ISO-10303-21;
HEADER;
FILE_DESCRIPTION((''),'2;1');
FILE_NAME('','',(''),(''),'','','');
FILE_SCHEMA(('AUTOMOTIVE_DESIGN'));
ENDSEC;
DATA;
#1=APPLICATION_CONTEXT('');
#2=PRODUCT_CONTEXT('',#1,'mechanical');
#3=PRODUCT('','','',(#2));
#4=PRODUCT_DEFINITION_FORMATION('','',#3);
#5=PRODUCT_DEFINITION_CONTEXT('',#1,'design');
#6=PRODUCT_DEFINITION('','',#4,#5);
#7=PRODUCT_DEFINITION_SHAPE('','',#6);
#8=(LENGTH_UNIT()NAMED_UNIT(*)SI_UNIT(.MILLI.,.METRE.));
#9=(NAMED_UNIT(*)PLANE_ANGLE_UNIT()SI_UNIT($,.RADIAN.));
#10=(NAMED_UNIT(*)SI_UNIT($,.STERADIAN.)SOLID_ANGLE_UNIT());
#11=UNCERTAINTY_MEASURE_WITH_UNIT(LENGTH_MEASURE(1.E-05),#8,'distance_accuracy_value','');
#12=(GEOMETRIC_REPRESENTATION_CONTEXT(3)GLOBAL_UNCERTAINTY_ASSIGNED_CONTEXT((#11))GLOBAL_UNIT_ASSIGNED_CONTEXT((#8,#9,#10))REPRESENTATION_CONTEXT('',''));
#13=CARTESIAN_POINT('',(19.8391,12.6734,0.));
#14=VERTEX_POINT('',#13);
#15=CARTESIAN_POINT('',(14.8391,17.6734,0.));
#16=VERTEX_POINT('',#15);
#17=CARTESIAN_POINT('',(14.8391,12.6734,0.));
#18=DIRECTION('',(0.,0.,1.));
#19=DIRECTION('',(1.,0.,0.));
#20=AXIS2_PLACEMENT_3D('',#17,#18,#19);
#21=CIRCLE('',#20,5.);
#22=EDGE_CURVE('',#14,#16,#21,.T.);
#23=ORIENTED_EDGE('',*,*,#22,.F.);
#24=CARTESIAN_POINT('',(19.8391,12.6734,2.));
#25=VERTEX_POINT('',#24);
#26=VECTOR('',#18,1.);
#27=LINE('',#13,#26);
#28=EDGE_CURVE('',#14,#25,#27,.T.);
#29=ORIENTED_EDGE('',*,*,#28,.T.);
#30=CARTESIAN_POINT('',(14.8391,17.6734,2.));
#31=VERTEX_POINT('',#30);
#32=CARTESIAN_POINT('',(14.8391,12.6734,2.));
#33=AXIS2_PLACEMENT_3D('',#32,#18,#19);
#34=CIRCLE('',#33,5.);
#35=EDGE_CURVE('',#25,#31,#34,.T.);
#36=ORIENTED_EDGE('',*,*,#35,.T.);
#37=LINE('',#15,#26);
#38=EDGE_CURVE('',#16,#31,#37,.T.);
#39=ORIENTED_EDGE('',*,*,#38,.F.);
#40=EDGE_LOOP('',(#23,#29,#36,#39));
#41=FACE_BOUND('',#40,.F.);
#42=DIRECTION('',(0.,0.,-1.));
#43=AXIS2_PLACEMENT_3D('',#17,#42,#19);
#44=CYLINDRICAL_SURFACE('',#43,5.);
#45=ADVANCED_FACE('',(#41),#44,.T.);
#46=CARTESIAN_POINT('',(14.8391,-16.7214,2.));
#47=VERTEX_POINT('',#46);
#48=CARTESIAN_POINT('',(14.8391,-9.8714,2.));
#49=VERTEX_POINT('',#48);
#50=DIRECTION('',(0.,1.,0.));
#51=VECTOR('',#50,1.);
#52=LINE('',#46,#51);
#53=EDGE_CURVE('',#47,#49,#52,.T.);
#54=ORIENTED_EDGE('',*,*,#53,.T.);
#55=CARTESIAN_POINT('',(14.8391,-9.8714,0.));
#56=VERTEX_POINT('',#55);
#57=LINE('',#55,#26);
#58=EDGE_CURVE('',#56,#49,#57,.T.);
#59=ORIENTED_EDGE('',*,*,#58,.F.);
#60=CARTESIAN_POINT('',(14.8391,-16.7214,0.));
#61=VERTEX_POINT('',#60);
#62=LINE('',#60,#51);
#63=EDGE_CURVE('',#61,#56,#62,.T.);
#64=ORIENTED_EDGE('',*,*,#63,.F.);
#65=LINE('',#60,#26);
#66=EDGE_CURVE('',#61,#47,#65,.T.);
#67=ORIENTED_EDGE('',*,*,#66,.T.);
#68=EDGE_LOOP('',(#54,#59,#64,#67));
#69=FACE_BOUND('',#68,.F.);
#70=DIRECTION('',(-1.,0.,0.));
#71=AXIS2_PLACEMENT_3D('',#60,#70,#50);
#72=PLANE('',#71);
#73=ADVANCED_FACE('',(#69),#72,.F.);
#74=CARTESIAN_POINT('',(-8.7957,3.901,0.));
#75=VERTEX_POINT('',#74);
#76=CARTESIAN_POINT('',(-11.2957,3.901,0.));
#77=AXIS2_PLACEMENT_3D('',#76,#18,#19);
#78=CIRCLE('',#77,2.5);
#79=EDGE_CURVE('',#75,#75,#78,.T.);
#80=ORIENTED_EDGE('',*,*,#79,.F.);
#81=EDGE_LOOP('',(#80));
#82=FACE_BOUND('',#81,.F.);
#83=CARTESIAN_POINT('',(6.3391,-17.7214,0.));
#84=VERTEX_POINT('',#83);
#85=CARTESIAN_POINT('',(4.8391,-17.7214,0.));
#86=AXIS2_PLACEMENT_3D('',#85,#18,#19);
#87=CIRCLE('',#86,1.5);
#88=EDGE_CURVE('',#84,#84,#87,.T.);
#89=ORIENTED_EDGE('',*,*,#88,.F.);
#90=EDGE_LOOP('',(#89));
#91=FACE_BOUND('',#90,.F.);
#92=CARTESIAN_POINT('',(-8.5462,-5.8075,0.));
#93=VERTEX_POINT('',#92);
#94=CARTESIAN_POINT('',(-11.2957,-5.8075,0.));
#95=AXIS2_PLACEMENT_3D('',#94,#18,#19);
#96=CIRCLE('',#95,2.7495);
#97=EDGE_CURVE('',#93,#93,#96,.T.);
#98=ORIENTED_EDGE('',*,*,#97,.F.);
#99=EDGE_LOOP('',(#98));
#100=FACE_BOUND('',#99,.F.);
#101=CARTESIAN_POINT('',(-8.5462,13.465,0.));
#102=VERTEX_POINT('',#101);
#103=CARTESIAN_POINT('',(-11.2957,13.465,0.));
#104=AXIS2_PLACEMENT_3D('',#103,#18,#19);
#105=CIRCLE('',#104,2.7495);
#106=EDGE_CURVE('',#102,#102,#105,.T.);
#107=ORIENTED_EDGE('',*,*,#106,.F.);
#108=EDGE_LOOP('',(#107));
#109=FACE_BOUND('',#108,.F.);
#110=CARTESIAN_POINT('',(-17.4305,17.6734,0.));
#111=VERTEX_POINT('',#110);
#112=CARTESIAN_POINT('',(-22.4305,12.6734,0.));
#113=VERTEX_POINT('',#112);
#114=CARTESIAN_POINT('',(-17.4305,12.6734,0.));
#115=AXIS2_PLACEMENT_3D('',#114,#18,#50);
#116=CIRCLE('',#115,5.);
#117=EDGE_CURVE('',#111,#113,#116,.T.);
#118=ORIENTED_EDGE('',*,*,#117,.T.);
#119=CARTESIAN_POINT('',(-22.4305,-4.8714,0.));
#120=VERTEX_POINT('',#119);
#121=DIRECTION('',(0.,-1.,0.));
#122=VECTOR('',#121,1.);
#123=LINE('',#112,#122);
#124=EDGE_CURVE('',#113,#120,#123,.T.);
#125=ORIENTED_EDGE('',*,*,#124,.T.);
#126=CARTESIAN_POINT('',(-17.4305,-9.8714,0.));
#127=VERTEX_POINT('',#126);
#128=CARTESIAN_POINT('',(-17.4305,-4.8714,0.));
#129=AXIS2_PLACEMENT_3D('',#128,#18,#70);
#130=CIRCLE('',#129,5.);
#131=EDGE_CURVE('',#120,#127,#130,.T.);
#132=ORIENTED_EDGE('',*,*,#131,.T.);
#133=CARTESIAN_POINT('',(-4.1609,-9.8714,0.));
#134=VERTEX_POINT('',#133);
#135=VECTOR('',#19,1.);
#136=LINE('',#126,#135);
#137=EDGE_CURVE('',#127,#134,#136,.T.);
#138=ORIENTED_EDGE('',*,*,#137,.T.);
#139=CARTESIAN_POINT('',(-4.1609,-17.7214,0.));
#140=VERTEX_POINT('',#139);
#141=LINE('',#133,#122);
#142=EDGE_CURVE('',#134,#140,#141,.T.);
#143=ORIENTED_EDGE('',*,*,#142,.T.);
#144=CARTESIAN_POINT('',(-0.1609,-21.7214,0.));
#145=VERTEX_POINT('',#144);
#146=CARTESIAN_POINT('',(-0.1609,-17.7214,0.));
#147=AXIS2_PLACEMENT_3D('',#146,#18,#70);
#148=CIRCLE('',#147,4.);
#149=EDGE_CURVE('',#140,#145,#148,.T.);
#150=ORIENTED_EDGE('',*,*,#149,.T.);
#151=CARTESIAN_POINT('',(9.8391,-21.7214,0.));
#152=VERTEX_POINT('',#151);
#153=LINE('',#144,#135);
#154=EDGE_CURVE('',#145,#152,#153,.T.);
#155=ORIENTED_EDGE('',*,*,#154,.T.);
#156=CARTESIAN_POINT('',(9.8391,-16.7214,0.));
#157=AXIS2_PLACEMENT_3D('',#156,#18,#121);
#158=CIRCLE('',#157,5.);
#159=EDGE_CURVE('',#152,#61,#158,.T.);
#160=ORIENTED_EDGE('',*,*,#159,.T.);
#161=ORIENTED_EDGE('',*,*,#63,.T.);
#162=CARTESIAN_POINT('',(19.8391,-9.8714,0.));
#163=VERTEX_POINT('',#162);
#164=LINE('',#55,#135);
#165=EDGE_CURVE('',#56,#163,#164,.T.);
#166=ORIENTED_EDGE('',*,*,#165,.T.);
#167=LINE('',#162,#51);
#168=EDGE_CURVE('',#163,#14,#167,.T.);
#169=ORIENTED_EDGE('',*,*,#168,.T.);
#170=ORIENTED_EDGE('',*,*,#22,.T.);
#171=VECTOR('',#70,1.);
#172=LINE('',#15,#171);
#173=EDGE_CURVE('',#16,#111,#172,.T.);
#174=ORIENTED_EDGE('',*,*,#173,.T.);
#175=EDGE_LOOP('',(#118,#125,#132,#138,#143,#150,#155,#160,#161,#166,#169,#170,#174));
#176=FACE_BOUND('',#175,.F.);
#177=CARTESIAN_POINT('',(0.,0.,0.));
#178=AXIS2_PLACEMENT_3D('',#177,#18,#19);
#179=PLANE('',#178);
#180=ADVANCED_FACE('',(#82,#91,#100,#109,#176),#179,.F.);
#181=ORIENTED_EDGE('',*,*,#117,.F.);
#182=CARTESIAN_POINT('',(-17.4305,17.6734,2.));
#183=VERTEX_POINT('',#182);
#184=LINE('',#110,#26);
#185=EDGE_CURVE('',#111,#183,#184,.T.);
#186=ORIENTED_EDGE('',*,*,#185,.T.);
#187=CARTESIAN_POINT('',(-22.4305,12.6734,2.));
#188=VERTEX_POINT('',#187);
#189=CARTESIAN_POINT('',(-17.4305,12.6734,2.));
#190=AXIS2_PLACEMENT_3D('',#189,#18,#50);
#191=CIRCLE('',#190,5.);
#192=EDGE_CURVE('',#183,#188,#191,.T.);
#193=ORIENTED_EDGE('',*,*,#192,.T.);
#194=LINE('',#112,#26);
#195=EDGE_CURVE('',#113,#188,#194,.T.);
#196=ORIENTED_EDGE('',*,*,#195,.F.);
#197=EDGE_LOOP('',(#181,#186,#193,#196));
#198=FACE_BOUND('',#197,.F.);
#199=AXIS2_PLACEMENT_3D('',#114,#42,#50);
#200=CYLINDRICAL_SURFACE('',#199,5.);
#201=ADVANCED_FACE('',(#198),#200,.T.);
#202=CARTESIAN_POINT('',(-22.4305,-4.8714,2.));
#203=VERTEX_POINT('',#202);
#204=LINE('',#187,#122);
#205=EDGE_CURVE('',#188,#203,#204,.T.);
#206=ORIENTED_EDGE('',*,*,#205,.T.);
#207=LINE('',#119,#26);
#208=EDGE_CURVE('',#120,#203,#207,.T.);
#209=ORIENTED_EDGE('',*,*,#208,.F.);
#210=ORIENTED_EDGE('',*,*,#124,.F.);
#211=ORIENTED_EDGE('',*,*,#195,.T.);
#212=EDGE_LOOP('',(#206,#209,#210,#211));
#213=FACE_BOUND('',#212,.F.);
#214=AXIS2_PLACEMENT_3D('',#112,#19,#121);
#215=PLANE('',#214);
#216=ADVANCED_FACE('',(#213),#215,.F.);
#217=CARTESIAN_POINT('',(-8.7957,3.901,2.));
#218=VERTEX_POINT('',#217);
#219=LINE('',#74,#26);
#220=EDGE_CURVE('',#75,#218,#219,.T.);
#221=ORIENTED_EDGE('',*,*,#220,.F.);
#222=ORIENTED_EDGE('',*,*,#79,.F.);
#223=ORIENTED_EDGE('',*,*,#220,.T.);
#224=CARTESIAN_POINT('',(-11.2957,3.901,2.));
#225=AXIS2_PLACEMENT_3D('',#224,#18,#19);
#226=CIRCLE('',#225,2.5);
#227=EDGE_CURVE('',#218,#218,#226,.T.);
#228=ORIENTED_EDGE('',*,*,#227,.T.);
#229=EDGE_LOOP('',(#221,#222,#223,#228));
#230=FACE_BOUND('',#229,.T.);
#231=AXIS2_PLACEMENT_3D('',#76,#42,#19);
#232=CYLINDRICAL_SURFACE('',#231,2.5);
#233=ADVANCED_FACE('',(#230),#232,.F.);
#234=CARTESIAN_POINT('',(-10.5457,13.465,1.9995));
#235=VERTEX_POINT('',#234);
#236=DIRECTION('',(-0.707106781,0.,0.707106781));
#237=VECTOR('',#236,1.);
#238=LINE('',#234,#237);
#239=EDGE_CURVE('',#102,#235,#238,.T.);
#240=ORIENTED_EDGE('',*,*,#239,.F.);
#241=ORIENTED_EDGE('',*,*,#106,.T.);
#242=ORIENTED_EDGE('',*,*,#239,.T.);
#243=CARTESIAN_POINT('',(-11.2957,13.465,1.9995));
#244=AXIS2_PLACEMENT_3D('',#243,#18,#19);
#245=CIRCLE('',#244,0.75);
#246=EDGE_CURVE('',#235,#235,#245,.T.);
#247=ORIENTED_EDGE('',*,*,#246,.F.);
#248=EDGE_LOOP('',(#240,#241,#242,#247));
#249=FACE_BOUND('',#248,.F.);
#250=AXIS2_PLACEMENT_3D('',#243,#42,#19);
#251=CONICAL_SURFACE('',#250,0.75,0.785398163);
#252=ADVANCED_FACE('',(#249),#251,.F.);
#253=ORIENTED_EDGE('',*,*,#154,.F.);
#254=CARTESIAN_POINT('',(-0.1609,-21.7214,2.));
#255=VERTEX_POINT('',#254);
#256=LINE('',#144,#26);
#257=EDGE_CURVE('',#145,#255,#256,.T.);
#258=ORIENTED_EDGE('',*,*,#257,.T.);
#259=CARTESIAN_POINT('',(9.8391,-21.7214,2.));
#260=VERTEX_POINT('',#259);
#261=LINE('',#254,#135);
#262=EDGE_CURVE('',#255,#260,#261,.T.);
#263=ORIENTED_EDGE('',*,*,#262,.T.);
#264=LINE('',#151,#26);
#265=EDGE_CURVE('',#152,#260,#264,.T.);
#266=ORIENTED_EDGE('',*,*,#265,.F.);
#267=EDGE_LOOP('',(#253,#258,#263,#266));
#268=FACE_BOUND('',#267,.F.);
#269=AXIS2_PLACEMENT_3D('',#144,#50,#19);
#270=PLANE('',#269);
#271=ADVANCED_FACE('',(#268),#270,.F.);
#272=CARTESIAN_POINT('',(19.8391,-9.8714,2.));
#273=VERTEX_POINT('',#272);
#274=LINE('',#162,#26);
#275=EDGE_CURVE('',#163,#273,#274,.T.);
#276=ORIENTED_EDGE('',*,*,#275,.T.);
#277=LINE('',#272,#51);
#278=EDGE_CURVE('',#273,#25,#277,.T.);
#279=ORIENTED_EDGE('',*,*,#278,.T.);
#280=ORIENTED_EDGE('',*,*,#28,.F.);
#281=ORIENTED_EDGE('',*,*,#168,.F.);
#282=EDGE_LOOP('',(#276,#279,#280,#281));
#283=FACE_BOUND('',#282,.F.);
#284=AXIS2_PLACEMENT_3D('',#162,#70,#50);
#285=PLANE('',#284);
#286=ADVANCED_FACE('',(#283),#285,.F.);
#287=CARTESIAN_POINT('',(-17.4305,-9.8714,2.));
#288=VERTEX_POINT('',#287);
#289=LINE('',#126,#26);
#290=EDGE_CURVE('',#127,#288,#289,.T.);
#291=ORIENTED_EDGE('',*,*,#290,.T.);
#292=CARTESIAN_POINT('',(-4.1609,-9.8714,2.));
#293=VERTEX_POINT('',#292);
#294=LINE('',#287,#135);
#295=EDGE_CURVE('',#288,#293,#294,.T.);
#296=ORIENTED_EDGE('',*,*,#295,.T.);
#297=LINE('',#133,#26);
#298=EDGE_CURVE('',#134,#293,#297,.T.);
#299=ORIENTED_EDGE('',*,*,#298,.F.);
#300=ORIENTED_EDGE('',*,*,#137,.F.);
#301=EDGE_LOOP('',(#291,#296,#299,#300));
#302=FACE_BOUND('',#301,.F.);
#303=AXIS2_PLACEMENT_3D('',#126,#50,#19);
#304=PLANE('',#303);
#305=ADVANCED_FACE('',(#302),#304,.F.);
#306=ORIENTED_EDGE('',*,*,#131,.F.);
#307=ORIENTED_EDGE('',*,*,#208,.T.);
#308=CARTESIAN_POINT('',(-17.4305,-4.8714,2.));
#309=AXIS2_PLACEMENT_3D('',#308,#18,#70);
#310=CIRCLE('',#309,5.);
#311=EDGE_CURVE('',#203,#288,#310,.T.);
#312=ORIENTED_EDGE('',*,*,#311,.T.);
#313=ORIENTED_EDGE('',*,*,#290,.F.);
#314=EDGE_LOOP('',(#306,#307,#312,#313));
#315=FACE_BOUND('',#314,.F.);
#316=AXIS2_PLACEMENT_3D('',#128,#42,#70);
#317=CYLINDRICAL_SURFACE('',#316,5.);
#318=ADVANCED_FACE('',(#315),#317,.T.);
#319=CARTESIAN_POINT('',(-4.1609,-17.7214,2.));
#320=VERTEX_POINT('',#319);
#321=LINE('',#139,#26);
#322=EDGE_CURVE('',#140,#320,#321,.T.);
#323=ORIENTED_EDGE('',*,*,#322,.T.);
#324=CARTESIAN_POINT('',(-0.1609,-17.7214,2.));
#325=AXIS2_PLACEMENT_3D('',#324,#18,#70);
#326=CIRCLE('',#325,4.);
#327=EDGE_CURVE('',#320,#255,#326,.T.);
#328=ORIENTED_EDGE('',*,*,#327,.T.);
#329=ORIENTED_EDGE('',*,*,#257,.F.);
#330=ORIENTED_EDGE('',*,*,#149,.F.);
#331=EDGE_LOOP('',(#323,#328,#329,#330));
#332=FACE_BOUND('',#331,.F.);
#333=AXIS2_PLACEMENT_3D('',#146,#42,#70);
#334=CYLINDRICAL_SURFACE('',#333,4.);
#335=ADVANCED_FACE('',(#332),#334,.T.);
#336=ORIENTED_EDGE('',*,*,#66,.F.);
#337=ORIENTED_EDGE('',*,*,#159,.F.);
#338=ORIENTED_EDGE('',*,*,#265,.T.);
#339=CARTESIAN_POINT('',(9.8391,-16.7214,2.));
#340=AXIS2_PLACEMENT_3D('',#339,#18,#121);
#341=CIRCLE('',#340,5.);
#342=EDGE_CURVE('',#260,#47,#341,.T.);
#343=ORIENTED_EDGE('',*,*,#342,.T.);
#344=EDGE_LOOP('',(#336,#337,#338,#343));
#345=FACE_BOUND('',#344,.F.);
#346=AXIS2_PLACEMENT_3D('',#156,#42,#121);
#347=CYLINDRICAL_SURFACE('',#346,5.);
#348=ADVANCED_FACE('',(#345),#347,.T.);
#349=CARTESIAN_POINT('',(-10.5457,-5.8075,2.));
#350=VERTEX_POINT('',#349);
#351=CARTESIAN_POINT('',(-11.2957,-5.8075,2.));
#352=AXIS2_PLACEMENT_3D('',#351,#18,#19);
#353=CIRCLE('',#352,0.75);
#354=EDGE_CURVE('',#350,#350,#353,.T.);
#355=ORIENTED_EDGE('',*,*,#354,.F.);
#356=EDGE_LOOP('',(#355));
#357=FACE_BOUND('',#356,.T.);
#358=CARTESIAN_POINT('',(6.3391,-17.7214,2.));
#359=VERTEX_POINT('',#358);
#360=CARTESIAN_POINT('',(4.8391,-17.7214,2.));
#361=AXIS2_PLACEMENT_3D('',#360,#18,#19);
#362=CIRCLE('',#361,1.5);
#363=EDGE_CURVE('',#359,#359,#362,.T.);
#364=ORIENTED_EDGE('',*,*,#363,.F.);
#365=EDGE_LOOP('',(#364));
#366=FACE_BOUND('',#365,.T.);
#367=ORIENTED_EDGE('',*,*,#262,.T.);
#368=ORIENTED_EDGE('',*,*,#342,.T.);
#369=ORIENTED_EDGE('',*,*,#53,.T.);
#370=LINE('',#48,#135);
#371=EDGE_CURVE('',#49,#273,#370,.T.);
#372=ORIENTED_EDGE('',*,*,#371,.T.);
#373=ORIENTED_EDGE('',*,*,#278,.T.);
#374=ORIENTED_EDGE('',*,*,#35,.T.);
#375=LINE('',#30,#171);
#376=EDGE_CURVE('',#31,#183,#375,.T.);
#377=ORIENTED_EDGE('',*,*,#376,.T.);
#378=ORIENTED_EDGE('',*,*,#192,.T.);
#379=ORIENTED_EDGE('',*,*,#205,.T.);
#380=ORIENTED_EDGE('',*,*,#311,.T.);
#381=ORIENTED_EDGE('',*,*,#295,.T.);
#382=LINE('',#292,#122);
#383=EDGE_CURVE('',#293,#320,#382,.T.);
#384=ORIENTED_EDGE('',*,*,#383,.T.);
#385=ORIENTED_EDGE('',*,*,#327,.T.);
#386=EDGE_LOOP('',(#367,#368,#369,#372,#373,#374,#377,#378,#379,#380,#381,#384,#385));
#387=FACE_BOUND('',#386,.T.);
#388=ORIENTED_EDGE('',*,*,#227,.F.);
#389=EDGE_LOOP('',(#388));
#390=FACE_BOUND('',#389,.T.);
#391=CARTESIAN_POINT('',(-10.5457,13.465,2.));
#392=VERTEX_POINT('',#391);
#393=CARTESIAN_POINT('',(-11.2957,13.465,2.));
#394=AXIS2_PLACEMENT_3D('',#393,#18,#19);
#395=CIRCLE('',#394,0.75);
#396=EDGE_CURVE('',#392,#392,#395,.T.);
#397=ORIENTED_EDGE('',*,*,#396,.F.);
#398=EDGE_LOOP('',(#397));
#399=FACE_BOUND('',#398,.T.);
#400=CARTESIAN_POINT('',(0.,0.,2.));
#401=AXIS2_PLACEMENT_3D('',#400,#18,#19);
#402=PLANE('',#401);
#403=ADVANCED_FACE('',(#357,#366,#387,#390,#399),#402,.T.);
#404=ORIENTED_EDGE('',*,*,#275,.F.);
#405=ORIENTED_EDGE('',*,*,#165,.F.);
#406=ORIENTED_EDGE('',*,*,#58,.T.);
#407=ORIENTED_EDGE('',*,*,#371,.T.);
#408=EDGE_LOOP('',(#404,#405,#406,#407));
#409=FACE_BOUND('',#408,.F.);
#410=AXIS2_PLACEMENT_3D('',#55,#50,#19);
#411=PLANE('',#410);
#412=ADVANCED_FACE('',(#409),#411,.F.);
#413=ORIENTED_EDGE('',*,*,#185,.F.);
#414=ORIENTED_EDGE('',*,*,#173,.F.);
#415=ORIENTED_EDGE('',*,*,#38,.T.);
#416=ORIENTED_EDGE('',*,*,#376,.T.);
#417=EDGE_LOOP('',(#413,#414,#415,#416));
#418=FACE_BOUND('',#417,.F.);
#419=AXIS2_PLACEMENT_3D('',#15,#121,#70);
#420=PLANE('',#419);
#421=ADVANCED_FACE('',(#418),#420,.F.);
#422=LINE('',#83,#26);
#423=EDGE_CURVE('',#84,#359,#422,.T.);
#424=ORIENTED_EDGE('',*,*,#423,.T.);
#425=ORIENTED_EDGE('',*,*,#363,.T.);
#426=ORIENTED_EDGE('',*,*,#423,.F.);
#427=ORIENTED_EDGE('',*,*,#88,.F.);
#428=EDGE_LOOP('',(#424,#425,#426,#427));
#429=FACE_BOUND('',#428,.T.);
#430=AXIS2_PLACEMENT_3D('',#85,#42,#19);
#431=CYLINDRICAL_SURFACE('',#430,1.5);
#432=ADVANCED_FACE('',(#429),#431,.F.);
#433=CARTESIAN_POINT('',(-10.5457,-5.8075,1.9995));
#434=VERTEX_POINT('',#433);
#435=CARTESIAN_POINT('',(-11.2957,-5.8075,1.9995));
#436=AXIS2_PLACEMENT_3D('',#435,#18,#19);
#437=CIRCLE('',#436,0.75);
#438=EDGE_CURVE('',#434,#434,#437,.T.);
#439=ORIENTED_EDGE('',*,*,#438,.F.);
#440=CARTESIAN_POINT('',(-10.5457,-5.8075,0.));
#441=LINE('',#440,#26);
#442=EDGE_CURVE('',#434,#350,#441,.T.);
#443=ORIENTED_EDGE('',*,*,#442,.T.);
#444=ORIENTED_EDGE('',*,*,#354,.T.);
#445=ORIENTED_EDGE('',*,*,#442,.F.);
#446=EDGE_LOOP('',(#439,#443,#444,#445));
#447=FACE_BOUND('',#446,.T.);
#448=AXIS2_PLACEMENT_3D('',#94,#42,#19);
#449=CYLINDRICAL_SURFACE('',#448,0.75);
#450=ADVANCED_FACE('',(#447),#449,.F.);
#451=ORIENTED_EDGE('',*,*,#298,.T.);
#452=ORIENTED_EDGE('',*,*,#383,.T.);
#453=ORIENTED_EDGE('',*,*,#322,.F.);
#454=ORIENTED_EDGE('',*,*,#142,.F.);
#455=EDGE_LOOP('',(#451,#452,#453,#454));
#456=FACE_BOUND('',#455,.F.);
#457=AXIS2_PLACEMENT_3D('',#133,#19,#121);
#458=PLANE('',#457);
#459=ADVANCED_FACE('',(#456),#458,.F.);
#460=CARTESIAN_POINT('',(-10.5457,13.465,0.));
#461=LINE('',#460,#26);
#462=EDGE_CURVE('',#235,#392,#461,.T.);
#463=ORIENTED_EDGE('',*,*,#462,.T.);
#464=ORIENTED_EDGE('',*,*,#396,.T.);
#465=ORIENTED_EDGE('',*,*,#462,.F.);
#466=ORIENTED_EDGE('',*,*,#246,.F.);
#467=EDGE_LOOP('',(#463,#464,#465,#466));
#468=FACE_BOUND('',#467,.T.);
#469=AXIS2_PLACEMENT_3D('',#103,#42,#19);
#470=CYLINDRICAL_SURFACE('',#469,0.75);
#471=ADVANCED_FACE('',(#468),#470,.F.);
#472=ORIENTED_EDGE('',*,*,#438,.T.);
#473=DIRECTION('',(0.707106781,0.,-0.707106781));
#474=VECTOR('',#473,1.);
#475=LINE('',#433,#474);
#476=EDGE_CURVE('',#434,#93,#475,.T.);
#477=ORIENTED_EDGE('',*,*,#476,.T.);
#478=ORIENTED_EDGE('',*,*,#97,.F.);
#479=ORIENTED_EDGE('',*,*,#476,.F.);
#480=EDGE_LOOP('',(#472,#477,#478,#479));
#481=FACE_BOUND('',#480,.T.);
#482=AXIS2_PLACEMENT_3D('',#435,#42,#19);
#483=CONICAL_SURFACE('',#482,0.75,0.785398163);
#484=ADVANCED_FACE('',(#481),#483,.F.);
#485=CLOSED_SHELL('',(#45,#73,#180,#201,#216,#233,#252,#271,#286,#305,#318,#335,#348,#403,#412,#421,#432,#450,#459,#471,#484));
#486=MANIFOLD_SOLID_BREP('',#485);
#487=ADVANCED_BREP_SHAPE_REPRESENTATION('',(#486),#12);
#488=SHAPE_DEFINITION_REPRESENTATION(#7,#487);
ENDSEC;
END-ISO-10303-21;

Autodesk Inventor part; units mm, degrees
ref_plane "YZ Plane" through (0, 0, 0) normal (1, 0, 0) x (0, 1, 0)
ref_plane "XZ Plane" through (0, 0, 0) normal (0, 1, 0) x (-1, 0, 0)
ref_plane "XY Plane" through (0, 0, 0) normal (0, 0, 1) x (1, 0, 0)
sketch "Эскиз1" plane through (0, 0, 0) normal (0, 0, 1) x (1, 0, 0)
  arc A0 (-17.4305, 17.6734) -> (-22.4305, 12.6734) centre (-17.4305, 12.6734) ccw
  line L0 (-22.4305, 12.6734) -> (-22.4305, -4.8714)
  arc A1 (-22.4305, -4.8714) -> (-17.4305, -9.8714) centre (-17.4305, -4.8714) ccw
  line L1 (-17.4305, -9.8714) -> (-4.1609, -9.8714)
  line L2 (-4.1609, -9.8714) -> (-4.1609, -17.7214)
  arc A2 (-4.1609, -17.7214) -> (-0.1609, -21.7214) centre (-0.1609, -17.7214) ccw
  line L3 (-0.1609, -21.7214) -> (9.8391, -21.7214)
  arc A3 (9.8391, -21.7214) -> (14.8391, -16.7214) centre (9.8391, -16.7214) ccw
  line L4 (14.8391, -16.7214) -> (14.8391, -9.8714)
  line L5 (19.8391, -9.8714) -> (19.8391, 12.6734)
  arc A4 (19.8391, 12.6734) -> (14.8391, 17.6734) centre (14.8391, 12.6734) ccw
  line L6 (14.8391, 17.6734) -> (-17.4305, 17.6734)
  circle A5 centre (-11.2957, 3.901) radius 2.5
  circle A6 centre (4.8391, -17.7214) radius 1.5
  line L7 (14.8391, -9.8714) -> (19.8391, -9.8714)
  circle A7 centre (-11.2957, 13.465) radius 0.75
  circle A8 centre (-11.2957, -5.8075) radius 0.75
  point P0 (0, 0)
  dimension "d0" = 5
extrude "Выдавливание1" add sketch "Эскиз1" along normal blind 2
chamfer "Фаска3" distance 2 angle 45 1 edges at (-12.0457, -5.8075, 0)
chamfer "Фаска4" distance 2 angle 45 1 edges at (-12.0457, 13.465, 0)
properties part number "Верт держатели-2 правый"
